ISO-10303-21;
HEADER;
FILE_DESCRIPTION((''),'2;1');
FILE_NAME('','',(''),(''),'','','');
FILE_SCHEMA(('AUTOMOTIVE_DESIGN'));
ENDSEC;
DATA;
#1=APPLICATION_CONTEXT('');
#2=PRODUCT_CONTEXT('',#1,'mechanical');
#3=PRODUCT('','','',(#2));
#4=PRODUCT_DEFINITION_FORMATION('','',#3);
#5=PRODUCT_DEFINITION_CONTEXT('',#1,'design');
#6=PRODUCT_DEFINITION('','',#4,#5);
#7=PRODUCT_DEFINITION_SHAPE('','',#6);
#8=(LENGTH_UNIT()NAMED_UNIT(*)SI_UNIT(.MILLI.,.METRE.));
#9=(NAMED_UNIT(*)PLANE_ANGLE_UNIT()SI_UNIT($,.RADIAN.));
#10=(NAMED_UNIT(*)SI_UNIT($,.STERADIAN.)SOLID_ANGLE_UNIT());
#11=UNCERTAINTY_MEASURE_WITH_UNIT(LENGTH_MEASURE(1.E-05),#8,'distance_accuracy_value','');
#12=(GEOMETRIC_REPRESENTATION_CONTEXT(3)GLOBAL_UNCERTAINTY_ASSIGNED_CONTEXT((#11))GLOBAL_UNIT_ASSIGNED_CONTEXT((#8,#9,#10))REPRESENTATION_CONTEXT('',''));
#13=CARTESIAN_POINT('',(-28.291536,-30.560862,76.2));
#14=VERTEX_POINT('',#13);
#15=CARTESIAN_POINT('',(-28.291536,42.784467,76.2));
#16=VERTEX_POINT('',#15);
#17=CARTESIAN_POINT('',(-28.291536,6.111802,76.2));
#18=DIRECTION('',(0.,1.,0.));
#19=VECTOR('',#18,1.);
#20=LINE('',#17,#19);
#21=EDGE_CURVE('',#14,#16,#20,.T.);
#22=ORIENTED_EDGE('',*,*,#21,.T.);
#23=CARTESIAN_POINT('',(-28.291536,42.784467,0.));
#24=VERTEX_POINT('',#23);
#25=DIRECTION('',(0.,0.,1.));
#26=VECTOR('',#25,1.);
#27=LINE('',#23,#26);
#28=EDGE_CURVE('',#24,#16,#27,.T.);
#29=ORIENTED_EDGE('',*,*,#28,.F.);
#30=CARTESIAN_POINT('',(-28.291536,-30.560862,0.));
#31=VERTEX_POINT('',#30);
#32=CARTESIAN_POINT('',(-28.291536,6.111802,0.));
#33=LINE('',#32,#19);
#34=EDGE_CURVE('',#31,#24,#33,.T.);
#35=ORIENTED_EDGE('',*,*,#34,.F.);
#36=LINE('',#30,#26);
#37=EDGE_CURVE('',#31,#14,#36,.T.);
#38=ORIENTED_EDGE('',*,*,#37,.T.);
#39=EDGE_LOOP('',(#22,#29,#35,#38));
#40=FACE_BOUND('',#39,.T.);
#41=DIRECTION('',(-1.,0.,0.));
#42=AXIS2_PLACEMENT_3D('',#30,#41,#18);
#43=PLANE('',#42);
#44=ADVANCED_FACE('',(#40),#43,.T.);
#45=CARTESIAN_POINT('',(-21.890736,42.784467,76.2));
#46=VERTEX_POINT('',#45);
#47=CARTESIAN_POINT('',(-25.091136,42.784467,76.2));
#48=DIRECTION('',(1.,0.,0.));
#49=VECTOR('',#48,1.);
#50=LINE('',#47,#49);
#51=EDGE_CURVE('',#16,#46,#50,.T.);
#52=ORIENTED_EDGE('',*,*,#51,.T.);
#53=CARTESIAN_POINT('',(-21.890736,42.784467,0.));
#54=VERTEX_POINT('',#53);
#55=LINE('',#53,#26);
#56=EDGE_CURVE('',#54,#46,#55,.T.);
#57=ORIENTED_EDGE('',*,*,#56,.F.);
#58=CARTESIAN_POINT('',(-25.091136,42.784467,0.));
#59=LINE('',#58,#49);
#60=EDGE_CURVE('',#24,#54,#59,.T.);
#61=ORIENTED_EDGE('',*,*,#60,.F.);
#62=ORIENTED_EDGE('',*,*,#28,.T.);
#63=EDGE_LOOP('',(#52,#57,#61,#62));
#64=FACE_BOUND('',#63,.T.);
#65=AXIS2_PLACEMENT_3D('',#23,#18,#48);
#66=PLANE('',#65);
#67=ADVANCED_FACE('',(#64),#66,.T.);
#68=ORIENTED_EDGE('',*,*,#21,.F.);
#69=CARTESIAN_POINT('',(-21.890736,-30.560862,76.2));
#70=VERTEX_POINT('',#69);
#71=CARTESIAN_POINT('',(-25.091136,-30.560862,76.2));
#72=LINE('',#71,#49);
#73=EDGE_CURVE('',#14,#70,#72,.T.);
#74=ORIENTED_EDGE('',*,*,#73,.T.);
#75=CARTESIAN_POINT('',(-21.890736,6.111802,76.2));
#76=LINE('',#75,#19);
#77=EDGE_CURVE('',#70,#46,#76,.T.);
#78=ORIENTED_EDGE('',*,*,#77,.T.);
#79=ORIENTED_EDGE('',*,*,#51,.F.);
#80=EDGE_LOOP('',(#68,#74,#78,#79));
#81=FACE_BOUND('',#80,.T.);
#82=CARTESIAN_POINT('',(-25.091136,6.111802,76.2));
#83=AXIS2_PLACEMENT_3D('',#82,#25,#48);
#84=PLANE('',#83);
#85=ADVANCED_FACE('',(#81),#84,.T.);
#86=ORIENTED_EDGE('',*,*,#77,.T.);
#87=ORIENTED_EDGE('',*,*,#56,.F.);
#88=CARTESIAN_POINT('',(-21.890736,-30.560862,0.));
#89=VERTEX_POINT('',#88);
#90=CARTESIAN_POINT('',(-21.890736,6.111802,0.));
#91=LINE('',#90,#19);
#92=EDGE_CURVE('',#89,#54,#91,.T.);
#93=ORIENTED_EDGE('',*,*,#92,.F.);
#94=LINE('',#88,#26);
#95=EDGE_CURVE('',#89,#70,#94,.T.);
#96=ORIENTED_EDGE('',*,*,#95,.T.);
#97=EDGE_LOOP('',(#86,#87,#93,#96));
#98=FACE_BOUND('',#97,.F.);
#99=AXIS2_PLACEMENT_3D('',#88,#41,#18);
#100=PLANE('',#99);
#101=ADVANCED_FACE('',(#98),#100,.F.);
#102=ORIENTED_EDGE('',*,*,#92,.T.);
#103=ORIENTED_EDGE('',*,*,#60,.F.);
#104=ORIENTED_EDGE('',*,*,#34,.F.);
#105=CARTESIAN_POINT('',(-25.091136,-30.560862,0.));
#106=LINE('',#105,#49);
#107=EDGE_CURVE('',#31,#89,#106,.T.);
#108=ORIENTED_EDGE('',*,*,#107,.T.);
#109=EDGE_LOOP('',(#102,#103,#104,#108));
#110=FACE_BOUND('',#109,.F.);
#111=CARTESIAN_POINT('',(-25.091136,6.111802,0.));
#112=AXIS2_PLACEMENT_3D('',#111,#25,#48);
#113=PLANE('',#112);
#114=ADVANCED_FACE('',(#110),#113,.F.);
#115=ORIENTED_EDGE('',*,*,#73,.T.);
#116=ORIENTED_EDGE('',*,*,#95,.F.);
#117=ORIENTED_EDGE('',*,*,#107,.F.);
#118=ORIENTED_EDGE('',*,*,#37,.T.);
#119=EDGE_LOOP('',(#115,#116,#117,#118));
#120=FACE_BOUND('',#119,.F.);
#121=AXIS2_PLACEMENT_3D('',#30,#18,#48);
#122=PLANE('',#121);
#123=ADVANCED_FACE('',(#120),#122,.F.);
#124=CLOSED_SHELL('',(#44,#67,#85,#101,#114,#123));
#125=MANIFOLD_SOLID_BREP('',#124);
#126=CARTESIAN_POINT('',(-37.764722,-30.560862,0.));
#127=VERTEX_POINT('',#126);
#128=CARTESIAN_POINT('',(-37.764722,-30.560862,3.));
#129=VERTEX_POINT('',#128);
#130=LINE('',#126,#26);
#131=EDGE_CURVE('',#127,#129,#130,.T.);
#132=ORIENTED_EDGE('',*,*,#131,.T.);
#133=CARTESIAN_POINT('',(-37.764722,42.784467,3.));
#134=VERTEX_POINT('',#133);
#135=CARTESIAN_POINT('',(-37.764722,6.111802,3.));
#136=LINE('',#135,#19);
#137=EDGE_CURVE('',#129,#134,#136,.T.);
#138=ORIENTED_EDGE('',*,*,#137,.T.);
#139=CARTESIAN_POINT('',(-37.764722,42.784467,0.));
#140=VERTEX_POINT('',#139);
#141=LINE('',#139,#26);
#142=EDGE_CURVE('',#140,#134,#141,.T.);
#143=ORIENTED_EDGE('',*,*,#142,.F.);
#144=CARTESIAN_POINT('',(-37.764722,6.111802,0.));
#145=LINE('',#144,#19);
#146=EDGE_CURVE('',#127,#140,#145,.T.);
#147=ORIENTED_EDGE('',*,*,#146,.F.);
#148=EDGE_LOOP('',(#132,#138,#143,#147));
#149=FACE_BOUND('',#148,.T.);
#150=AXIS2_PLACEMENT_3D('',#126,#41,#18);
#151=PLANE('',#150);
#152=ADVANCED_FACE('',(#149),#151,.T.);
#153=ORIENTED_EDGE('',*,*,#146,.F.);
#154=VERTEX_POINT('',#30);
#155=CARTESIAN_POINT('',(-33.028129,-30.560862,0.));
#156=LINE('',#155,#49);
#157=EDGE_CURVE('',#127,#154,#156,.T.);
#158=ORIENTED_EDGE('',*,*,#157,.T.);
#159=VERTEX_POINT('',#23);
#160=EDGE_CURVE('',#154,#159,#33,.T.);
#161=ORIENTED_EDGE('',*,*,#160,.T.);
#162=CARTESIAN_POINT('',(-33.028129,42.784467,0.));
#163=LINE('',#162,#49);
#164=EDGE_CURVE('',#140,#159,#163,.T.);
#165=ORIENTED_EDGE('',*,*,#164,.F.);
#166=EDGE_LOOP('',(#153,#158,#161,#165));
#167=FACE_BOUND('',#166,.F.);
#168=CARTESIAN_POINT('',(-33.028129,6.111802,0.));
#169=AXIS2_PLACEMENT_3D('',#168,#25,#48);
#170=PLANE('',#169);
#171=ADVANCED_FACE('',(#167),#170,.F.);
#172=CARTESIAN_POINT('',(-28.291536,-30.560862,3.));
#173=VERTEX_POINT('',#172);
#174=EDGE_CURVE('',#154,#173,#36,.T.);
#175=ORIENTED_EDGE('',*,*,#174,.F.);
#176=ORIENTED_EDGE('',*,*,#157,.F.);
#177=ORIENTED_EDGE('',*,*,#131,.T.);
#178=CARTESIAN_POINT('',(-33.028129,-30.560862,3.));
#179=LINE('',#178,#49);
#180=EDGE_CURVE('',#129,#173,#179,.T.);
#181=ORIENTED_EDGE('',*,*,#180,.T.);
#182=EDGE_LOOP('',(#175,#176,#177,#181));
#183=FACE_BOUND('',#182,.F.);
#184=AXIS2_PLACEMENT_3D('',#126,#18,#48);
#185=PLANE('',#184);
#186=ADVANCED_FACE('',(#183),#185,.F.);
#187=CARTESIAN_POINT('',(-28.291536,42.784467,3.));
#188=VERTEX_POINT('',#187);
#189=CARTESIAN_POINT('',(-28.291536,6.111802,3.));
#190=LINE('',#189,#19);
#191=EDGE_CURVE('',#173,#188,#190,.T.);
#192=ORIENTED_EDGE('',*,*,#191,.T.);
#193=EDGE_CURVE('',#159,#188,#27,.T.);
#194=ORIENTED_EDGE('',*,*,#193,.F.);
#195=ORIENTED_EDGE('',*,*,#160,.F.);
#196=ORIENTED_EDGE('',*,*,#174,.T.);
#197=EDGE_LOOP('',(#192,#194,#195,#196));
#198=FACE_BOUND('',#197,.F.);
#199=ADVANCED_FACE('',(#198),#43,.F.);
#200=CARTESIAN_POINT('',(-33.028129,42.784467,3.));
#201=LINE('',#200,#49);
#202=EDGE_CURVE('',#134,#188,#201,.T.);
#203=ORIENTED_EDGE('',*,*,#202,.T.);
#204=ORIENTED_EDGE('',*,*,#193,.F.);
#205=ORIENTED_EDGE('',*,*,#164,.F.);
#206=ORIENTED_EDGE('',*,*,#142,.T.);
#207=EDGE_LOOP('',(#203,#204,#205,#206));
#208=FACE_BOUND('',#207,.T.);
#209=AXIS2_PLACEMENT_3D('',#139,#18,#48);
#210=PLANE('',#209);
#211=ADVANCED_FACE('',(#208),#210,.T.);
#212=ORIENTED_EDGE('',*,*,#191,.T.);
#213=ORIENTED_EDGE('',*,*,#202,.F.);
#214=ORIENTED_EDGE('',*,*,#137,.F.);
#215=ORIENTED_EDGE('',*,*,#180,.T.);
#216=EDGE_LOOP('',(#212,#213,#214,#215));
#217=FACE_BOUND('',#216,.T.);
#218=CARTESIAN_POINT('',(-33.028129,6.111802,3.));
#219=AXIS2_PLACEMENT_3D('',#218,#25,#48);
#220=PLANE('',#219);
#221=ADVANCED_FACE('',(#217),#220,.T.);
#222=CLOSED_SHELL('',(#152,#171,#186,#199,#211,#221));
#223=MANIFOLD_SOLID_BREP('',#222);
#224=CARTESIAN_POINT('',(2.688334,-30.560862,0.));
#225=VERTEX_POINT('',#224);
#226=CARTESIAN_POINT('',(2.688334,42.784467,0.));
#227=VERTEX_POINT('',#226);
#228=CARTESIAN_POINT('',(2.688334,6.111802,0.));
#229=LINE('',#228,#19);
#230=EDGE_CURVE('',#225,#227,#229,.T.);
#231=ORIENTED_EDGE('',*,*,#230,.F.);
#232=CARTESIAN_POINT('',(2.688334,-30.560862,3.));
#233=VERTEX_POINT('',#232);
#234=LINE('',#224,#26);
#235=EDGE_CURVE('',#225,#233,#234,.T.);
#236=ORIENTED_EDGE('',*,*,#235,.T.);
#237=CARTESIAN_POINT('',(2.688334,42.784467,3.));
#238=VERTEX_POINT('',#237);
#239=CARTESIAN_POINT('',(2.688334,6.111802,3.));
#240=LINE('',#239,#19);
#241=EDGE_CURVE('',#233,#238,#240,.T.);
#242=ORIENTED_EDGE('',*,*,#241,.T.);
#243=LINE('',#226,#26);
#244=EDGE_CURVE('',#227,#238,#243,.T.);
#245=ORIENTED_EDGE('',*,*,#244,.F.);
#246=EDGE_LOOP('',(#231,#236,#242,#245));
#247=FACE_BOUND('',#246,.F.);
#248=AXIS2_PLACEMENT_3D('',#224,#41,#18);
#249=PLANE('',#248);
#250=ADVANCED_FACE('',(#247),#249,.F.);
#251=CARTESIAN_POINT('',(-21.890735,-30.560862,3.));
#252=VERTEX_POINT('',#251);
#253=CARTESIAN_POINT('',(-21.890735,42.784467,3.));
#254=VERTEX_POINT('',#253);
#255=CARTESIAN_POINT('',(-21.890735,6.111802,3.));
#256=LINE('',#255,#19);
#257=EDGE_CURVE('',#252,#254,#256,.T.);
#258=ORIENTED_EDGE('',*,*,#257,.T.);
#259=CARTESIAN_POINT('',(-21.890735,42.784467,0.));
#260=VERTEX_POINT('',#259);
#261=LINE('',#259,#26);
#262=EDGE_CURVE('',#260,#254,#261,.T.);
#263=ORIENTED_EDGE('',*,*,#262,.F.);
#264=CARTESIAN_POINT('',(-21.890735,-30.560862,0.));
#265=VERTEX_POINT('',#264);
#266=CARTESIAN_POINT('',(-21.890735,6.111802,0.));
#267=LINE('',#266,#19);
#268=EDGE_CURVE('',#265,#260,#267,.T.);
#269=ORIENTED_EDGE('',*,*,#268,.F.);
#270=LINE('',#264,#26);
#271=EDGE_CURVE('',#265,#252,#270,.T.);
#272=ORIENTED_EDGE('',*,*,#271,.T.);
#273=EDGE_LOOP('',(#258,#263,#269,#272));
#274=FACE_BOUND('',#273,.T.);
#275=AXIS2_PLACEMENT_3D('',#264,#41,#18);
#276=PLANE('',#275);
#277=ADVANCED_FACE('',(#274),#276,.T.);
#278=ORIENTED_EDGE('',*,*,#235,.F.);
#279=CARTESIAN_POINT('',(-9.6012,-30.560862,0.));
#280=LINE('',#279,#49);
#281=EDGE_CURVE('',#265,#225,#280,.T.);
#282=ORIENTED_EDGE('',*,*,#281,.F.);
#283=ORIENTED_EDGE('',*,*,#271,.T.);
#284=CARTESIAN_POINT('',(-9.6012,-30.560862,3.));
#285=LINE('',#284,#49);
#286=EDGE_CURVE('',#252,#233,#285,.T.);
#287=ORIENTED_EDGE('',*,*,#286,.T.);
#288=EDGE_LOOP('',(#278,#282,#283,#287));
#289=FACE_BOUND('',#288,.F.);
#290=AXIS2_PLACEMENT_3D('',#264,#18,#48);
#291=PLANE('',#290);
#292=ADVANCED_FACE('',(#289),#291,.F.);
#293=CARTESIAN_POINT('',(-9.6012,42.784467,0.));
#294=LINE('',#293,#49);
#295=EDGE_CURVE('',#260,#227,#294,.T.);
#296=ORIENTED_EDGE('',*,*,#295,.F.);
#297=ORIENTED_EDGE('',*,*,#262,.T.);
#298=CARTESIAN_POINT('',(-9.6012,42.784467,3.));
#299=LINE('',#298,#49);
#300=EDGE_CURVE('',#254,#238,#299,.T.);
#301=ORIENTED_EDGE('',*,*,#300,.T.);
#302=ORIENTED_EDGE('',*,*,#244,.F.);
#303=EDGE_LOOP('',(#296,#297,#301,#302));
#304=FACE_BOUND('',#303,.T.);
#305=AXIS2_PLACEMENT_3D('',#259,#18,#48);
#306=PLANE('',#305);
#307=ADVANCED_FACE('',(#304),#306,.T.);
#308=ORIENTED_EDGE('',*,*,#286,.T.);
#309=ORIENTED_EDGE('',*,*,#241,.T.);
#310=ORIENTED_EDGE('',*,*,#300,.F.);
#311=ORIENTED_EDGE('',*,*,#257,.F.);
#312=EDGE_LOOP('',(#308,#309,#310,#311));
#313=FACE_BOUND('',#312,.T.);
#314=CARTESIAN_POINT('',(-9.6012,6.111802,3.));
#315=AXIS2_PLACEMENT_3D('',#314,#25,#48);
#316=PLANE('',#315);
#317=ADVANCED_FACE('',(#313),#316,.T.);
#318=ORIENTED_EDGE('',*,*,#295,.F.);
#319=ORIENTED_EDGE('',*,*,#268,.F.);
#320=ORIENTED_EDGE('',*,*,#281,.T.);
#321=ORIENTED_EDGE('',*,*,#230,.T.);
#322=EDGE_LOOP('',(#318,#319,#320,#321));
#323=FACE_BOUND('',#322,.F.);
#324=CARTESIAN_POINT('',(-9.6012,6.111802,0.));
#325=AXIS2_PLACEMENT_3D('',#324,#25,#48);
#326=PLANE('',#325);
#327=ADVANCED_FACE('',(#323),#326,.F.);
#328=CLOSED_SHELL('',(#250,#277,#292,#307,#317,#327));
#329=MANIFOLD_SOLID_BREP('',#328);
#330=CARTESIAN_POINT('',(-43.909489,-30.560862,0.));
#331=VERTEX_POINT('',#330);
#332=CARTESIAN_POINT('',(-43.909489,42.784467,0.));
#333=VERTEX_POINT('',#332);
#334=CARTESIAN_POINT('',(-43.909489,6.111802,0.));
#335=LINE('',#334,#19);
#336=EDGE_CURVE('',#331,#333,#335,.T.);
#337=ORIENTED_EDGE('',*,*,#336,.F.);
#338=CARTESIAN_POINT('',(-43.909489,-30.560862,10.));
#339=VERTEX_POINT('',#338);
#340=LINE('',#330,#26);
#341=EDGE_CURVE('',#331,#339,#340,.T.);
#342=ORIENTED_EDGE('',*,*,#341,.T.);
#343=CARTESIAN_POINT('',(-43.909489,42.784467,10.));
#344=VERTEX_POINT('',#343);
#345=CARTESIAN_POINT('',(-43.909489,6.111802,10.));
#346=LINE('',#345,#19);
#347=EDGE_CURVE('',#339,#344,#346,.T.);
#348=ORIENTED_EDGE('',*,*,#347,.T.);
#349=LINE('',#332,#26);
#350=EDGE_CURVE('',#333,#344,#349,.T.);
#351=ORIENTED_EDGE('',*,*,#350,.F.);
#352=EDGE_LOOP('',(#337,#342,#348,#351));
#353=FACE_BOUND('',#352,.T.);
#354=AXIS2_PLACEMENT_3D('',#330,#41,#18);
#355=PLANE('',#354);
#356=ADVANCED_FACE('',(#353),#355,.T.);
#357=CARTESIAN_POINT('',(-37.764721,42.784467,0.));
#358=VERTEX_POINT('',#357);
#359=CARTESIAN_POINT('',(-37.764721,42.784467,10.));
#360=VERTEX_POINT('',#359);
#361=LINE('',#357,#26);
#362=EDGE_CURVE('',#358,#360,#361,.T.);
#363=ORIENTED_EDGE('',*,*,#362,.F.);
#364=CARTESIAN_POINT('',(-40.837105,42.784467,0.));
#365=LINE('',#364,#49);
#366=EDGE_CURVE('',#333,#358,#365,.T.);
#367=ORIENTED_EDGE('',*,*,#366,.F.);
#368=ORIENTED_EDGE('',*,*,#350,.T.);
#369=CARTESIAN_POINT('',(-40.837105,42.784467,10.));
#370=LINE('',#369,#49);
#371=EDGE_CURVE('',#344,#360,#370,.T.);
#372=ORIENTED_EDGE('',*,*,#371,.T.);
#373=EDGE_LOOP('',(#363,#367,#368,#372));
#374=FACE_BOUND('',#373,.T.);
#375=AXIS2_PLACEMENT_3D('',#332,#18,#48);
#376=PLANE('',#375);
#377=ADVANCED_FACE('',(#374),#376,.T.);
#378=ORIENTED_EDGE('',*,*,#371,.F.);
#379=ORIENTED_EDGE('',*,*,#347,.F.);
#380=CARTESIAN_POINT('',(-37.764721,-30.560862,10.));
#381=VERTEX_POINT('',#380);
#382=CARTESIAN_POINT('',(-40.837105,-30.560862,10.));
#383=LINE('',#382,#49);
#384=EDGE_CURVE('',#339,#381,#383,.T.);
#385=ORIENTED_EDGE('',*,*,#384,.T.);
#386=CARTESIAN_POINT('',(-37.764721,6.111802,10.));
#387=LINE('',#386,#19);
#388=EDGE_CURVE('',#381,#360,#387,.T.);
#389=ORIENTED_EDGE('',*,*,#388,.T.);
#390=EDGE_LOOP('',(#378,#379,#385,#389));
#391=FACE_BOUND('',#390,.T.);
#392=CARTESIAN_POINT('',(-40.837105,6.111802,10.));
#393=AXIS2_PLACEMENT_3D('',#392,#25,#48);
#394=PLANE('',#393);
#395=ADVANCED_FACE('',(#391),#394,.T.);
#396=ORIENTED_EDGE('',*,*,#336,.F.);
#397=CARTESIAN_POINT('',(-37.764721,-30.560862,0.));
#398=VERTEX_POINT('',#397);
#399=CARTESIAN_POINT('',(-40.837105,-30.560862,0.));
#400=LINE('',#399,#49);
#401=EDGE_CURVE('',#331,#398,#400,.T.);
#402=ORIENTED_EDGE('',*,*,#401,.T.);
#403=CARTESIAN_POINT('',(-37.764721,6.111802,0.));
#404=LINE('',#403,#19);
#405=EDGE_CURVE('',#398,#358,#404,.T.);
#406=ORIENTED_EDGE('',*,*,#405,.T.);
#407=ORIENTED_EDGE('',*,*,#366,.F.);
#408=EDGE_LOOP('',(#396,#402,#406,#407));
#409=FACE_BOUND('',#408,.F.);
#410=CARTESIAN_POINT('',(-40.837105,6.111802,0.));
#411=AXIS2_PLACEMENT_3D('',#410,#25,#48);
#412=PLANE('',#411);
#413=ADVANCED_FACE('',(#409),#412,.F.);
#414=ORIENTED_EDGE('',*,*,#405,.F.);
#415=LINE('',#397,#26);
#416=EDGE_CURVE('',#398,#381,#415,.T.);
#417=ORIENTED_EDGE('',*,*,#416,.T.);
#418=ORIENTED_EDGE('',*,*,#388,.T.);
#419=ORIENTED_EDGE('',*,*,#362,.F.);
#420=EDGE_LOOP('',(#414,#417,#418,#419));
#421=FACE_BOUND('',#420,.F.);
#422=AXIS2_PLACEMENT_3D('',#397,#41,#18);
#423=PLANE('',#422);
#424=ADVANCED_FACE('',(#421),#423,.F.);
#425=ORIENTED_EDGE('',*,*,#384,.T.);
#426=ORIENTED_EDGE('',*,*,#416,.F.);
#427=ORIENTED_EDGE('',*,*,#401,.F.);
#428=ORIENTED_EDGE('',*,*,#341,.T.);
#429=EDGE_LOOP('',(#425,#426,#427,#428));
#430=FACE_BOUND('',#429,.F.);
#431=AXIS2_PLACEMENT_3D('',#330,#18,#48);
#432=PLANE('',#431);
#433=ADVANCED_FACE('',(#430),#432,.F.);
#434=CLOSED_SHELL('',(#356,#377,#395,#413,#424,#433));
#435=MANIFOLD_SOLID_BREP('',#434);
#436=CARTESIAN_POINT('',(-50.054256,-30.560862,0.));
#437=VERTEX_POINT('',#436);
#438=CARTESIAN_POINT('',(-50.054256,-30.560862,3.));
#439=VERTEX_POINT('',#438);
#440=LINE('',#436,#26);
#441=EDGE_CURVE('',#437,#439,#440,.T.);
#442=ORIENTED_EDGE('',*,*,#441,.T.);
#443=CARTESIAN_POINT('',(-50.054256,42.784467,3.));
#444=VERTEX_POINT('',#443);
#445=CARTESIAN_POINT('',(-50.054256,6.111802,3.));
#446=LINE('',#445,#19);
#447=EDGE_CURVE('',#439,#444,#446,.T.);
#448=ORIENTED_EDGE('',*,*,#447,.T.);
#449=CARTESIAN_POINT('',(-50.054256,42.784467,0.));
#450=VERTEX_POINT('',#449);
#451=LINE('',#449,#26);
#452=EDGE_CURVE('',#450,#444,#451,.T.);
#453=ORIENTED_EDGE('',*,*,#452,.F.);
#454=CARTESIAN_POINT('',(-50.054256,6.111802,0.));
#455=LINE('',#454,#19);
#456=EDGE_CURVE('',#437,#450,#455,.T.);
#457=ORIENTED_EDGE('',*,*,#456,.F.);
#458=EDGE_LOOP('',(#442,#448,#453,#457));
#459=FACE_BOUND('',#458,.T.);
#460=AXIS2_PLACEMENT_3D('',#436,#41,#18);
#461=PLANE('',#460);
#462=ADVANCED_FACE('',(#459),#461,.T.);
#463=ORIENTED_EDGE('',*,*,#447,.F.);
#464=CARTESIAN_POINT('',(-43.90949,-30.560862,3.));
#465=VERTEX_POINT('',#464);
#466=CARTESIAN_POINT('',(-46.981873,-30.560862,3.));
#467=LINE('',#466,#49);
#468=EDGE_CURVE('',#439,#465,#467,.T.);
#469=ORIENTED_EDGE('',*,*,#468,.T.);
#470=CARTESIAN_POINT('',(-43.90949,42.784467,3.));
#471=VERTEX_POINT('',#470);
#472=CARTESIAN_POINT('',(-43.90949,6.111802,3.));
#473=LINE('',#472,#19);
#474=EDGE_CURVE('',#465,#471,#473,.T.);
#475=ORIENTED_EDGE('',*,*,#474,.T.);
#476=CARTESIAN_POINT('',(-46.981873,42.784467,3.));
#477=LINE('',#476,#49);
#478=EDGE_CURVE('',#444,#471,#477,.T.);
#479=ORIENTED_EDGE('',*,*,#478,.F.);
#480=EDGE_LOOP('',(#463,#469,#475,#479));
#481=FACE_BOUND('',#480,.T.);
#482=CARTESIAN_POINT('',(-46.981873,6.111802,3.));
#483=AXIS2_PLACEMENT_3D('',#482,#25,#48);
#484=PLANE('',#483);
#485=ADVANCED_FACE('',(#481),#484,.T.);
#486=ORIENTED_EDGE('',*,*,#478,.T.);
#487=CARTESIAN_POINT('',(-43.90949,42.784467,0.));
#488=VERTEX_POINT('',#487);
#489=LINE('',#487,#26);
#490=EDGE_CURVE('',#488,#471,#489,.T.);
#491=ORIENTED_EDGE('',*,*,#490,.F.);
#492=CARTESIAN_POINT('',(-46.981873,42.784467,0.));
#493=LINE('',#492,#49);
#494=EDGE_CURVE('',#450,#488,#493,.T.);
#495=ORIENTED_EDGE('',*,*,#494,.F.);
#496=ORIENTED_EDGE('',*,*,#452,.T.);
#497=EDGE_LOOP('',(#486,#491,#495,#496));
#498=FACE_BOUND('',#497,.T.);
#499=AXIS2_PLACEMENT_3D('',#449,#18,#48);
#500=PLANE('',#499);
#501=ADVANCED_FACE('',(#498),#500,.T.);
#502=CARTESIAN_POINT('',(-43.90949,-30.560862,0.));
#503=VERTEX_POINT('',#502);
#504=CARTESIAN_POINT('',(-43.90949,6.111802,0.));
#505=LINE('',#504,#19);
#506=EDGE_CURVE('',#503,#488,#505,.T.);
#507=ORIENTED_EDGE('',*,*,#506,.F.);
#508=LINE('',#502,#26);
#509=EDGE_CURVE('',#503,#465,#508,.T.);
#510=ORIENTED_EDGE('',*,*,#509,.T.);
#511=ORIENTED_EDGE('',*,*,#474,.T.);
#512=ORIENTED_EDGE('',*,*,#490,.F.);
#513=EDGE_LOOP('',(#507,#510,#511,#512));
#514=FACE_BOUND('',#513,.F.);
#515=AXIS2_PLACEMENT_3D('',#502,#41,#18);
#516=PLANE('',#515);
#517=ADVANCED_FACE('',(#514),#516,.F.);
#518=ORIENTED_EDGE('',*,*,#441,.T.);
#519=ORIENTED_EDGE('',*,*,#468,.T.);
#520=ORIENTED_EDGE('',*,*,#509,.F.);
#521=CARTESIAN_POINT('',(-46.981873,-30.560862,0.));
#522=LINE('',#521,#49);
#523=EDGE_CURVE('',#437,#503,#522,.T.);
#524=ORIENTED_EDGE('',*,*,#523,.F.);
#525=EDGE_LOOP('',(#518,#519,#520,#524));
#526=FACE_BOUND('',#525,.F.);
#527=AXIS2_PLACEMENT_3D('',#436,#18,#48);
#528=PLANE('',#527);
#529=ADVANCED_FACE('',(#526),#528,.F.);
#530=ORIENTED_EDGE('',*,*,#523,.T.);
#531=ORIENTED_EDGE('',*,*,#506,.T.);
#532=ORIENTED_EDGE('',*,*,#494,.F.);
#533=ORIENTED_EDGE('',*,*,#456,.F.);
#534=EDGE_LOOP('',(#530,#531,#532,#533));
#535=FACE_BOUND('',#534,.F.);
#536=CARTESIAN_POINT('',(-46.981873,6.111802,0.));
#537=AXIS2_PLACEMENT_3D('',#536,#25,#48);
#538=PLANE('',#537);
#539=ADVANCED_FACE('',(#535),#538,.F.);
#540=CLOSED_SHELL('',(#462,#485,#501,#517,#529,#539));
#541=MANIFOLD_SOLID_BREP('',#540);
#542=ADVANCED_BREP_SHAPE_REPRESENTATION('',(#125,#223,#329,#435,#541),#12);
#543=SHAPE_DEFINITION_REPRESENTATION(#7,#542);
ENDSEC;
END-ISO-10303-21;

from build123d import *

# Parameters (mm, degrees)
F0_W     = 24.579069
F0_H     = 73.345329
F0_W_2   = 9.473185
F0_W_3   = 6.144766
F1_DEPTH = 3
F0_W_4   = 6.144769
F2_DEPTH = 10
F0_W_5   = 6.400801
F3_DEPTH = 76.2


with BuildPart() as f1:
    # F0 (on Top) → F1 (new body)
    with BuildSketch(Plane.XY):
        with Locations((-9.6012, 6.111802)):
            Rectangle(F0_W, F0_H)
        with Locations((-33.028129, 6.111802)):
            Rectangle(F0_W_2, F0_H)
        with Locations((-46.981873, 6.111802)):
            Rectangle(F0_W_3, F0_H)
    extrude(amount=F1_DEPTH)


with BuildPart() as f2:
    # F0 (on Top) → F2 (new body)
    with BuildSketch(Plane.XY):
        with Locations((-40.837105, 6.111802)):
            Rectangle(F0_W_4, F0_H)
    extrude(amount=F2_DEPTH)


with BuildPart() as f3:
    # F0 (on Top) → F3 (new body)
    with BuildSketch(Plane.XY):
        with Locations((-25.091136, 6.111802)):
            Rectangle(F0_W_5, F0_H)
    extrude(amount=F3_DEPTH)


solid = Compound([f1.part, f2.part, f3.part])
